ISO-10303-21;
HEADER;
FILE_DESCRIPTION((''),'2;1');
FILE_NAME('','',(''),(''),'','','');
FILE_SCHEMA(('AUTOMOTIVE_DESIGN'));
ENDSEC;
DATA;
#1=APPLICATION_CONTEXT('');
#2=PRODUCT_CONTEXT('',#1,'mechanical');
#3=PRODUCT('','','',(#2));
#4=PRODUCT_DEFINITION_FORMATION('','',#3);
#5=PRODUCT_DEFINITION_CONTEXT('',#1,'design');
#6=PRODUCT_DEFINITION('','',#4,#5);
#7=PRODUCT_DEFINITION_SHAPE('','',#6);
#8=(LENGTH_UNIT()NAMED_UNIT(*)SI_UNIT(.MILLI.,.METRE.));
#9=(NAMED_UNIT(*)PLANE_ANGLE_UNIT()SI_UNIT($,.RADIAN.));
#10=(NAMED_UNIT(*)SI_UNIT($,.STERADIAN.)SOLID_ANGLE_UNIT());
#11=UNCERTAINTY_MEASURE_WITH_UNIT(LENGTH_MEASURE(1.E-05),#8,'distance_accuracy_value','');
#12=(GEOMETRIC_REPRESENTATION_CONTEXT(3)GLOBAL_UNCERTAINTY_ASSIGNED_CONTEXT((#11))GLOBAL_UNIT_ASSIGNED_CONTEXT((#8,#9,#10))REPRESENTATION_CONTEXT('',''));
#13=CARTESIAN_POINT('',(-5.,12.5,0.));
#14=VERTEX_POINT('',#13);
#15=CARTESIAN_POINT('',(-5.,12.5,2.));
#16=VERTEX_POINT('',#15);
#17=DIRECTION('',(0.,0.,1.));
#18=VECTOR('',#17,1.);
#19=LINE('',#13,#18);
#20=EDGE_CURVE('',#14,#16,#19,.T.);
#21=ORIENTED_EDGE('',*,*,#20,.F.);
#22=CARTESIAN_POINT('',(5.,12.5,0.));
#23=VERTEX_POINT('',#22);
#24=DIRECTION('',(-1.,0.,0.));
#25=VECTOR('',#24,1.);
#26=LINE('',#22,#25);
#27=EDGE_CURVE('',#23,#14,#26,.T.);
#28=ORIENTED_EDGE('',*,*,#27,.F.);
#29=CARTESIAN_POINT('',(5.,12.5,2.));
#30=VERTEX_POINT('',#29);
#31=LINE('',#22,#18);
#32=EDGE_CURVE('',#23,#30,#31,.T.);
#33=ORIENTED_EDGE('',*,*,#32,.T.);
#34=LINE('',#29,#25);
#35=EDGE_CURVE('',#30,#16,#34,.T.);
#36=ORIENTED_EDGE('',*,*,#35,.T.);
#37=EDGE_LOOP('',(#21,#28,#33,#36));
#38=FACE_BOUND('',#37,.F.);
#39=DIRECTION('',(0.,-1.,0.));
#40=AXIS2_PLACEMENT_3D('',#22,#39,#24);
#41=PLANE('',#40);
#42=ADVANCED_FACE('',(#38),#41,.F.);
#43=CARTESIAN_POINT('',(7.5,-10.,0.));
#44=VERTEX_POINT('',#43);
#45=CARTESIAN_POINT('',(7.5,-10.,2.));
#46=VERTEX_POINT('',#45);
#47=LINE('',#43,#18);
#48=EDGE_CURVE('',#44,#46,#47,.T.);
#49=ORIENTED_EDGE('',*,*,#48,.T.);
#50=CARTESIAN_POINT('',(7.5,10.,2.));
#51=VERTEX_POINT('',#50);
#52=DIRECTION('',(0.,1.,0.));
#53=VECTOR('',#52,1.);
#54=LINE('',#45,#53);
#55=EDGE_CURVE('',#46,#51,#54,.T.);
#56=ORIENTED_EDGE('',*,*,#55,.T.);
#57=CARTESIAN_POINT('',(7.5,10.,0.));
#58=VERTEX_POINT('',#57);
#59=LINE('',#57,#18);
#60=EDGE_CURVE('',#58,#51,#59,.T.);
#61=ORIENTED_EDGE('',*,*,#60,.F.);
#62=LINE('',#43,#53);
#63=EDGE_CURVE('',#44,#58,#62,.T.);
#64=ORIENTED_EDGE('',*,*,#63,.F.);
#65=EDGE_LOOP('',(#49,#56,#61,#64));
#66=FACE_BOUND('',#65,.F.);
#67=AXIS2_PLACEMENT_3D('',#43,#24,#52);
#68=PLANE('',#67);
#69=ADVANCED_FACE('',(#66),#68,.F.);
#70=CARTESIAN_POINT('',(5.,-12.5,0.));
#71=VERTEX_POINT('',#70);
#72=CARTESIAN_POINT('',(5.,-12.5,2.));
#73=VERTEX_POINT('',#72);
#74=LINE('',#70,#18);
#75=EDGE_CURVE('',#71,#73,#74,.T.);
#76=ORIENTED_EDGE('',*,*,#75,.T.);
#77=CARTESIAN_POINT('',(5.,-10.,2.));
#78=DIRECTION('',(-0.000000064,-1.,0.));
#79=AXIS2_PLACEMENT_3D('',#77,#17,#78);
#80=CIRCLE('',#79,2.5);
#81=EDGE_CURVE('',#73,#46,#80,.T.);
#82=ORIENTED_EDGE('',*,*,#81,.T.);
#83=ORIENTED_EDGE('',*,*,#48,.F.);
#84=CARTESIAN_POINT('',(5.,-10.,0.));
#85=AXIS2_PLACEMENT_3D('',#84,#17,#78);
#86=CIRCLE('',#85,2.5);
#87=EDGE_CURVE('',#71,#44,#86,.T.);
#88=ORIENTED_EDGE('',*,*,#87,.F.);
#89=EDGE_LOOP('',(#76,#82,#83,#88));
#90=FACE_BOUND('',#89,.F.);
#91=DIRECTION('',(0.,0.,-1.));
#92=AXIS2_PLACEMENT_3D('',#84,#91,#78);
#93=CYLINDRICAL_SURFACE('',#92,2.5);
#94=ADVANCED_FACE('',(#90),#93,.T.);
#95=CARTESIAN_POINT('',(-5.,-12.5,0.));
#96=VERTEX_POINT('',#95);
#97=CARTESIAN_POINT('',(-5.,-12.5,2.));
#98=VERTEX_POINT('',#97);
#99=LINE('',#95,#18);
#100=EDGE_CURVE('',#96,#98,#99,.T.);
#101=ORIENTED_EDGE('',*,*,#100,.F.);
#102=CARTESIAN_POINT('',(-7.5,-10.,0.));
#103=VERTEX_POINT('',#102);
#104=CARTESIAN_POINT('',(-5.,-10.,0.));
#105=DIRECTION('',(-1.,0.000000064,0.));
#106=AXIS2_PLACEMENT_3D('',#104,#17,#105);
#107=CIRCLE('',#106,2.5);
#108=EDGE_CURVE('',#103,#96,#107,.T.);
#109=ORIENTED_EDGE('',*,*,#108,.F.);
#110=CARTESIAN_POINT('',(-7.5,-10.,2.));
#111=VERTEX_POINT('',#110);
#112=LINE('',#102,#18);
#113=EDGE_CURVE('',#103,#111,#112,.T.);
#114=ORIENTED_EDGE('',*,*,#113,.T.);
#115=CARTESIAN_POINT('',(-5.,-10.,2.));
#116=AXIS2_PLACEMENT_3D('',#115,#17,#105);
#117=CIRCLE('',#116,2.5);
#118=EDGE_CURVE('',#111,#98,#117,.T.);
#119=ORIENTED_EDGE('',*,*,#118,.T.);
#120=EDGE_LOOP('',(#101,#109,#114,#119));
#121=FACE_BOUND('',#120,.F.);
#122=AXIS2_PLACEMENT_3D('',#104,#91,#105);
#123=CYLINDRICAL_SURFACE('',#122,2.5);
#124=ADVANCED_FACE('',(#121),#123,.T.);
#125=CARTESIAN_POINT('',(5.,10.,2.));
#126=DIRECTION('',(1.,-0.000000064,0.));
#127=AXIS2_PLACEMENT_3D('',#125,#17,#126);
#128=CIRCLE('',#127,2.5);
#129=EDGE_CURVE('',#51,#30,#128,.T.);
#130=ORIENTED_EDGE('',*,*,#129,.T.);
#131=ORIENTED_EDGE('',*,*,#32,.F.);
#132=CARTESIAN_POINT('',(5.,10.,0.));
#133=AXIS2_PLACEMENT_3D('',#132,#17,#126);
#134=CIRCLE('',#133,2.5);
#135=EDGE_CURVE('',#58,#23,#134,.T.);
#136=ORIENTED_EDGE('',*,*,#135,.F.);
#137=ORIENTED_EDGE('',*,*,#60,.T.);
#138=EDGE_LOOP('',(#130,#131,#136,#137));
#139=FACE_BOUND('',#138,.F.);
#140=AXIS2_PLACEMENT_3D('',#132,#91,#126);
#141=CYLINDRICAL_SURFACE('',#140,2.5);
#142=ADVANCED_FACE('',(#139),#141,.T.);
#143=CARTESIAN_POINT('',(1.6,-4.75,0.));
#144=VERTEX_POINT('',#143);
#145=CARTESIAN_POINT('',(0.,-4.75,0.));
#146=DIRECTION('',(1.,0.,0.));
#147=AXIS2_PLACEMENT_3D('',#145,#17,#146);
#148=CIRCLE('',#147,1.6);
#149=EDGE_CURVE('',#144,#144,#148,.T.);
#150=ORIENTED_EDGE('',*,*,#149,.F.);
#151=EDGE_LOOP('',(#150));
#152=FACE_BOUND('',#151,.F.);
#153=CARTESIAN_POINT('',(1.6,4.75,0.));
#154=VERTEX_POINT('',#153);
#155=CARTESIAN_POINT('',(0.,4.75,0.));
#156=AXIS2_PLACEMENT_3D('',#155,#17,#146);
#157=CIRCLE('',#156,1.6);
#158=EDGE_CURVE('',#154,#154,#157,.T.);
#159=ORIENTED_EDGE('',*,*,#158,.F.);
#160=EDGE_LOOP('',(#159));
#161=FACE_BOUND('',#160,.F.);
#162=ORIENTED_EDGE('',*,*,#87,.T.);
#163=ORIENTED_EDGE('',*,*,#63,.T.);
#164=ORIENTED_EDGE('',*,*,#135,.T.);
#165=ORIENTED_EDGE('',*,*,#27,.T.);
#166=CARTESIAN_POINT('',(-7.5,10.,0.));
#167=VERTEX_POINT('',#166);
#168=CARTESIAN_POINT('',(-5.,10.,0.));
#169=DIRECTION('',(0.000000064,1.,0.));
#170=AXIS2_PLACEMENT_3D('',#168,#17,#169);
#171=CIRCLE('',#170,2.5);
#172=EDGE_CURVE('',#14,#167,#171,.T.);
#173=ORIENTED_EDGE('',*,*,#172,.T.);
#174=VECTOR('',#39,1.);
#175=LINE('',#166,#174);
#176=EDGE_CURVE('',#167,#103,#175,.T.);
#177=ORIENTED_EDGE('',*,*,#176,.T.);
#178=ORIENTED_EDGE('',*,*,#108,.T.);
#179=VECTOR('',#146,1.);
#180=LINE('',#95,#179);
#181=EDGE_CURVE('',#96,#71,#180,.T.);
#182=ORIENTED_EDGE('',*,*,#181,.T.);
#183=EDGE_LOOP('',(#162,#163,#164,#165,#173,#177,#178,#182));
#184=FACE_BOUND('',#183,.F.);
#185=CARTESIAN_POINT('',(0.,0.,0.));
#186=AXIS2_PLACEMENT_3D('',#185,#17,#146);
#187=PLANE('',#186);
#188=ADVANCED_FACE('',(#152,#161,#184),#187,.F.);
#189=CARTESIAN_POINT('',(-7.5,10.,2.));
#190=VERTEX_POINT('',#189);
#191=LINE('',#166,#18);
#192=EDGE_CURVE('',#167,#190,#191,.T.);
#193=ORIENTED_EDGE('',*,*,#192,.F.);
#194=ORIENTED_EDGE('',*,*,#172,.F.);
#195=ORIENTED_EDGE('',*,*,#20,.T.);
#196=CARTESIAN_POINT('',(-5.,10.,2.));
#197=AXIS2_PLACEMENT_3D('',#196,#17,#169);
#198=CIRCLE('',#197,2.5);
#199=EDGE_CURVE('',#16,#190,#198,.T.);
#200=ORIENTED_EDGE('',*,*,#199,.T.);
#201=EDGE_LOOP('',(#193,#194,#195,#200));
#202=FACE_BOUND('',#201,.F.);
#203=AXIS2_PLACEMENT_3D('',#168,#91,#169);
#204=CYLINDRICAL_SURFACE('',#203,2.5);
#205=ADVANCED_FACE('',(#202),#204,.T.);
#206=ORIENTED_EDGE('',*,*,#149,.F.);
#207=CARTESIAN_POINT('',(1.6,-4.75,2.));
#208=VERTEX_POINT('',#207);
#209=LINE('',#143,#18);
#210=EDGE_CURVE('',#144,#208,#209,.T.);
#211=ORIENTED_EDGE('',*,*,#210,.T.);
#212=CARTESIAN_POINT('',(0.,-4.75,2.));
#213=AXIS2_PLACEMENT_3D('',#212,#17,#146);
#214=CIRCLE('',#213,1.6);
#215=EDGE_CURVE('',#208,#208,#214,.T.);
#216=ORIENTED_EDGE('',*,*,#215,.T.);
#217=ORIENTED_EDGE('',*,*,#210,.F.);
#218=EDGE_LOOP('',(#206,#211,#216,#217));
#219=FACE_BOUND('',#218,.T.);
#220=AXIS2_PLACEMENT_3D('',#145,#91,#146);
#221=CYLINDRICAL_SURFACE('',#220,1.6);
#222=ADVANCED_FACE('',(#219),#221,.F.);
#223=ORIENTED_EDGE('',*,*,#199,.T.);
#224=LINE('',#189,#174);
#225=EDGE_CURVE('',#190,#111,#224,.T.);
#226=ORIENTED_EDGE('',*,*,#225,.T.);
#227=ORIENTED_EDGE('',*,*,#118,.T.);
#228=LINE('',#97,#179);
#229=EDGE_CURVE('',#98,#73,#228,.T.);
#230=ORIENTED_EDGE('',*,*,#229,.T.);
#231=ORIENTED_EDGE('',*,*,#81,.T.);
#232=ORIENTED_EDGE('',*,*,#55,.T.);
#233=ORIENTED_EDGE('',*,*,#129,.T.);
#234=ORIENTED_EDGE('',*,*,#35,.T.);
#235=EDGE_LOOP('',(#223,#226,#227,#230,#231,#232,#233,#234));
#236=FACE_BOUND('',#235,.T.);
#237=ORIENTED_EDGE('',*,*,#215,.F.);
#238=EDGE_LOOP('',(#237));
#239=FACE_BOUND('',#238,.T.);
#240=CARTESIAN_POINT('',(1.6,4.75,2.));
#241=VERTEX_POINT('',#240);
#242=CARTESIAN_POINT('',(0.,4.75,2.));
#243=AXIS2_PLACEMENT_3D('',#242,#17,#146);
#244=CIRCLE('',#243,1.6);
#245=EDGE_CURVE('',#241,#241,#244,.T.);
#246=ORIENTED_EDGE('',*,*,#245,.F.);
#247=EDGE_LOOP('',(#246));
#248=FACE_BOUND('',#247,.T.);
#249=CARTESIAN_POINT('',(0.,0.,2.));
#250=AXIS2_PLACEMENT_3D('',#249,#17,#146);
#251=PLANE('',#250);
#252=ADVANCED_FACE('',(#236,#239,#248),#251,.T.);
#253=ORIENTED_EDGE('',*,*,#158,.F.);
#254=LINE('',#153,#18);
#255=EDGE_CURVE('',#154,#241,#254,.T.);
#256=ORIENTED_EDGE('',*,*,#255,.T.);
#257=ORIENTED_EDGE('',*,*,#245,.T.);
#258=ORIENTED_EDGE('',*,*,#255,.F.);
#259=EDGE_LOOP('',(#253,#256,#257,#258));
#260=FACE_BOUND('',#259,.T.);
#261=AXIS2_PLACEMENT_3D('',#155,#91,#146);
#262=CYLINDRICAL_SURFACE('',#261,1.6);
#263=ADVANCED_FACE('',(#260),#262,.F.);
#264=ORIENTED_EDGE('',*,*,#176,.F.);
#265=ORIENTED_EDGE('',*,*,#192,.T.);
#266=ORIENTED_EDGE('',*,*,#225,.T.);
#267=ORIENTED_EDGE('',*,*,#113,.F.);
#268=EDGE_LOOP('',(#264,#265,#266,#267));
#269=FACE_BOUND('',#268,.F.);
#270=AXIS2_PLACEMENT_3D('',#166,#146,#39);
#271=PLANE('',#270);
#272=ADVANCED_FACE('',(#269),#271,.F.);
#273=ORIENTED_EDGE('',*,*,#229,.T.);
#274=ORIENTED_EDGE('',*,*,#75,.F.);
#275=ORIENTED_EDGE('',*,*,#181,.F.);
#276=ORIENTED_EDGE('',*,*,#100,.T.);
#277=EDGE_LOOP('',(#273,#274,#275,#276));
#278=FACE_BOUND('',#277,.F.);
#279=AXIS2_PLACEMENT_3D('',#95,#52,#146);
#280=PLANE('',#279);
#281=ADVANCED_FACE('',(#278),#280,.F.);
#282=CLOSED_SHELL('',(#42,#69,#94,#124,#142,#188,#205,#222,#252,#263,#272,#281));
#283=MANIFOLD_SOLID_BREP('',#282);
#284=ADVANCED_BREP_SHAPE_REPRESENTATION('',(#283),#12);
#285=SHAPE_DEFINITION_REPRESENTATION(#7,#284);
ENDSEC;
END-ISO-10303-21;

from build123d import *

# Parameters (mm, degrees)
SKETCH_R  = 1.6
PAD_DEPTH = 2


with BuildPart() as part:
    # Sketch → Pad (new body)
    with BuildSketch(Plane.XY):
        with BuildLine():
            Line((-7.5, 10), (-7.5, -10))
            ThreePointArc((-7.5, -10), (-6.767767, -11.767767), (-5, -12.5))
            Line((-5, -12.5), (5, -12.5))
            ThreePointArc((5, -12.5), (6.767767, -11.767767), (7.5, -10))
            Line((7.5, -10), (7.5, 10))
            ThreePointArc((7.5, 10), (6.767767, 11.767767), (5, 12.5))
            Line((5, 12.5), (-5, 12.5))
            ThreePointArc((-5, 12.5), (-6.767767, 11.767767), (-7.5, 10))
        make_face()
        with Locations((0, 4.75)):
            Circle(SKETCH_R, mode=Mode.SUBTRACT)
        with Locations((0, -4.75)):
            Circle(SKETCH_R, mode=Mode.SUBTRACT)
    extrude(amount=PAD_DEPTH)


solid = part.part
